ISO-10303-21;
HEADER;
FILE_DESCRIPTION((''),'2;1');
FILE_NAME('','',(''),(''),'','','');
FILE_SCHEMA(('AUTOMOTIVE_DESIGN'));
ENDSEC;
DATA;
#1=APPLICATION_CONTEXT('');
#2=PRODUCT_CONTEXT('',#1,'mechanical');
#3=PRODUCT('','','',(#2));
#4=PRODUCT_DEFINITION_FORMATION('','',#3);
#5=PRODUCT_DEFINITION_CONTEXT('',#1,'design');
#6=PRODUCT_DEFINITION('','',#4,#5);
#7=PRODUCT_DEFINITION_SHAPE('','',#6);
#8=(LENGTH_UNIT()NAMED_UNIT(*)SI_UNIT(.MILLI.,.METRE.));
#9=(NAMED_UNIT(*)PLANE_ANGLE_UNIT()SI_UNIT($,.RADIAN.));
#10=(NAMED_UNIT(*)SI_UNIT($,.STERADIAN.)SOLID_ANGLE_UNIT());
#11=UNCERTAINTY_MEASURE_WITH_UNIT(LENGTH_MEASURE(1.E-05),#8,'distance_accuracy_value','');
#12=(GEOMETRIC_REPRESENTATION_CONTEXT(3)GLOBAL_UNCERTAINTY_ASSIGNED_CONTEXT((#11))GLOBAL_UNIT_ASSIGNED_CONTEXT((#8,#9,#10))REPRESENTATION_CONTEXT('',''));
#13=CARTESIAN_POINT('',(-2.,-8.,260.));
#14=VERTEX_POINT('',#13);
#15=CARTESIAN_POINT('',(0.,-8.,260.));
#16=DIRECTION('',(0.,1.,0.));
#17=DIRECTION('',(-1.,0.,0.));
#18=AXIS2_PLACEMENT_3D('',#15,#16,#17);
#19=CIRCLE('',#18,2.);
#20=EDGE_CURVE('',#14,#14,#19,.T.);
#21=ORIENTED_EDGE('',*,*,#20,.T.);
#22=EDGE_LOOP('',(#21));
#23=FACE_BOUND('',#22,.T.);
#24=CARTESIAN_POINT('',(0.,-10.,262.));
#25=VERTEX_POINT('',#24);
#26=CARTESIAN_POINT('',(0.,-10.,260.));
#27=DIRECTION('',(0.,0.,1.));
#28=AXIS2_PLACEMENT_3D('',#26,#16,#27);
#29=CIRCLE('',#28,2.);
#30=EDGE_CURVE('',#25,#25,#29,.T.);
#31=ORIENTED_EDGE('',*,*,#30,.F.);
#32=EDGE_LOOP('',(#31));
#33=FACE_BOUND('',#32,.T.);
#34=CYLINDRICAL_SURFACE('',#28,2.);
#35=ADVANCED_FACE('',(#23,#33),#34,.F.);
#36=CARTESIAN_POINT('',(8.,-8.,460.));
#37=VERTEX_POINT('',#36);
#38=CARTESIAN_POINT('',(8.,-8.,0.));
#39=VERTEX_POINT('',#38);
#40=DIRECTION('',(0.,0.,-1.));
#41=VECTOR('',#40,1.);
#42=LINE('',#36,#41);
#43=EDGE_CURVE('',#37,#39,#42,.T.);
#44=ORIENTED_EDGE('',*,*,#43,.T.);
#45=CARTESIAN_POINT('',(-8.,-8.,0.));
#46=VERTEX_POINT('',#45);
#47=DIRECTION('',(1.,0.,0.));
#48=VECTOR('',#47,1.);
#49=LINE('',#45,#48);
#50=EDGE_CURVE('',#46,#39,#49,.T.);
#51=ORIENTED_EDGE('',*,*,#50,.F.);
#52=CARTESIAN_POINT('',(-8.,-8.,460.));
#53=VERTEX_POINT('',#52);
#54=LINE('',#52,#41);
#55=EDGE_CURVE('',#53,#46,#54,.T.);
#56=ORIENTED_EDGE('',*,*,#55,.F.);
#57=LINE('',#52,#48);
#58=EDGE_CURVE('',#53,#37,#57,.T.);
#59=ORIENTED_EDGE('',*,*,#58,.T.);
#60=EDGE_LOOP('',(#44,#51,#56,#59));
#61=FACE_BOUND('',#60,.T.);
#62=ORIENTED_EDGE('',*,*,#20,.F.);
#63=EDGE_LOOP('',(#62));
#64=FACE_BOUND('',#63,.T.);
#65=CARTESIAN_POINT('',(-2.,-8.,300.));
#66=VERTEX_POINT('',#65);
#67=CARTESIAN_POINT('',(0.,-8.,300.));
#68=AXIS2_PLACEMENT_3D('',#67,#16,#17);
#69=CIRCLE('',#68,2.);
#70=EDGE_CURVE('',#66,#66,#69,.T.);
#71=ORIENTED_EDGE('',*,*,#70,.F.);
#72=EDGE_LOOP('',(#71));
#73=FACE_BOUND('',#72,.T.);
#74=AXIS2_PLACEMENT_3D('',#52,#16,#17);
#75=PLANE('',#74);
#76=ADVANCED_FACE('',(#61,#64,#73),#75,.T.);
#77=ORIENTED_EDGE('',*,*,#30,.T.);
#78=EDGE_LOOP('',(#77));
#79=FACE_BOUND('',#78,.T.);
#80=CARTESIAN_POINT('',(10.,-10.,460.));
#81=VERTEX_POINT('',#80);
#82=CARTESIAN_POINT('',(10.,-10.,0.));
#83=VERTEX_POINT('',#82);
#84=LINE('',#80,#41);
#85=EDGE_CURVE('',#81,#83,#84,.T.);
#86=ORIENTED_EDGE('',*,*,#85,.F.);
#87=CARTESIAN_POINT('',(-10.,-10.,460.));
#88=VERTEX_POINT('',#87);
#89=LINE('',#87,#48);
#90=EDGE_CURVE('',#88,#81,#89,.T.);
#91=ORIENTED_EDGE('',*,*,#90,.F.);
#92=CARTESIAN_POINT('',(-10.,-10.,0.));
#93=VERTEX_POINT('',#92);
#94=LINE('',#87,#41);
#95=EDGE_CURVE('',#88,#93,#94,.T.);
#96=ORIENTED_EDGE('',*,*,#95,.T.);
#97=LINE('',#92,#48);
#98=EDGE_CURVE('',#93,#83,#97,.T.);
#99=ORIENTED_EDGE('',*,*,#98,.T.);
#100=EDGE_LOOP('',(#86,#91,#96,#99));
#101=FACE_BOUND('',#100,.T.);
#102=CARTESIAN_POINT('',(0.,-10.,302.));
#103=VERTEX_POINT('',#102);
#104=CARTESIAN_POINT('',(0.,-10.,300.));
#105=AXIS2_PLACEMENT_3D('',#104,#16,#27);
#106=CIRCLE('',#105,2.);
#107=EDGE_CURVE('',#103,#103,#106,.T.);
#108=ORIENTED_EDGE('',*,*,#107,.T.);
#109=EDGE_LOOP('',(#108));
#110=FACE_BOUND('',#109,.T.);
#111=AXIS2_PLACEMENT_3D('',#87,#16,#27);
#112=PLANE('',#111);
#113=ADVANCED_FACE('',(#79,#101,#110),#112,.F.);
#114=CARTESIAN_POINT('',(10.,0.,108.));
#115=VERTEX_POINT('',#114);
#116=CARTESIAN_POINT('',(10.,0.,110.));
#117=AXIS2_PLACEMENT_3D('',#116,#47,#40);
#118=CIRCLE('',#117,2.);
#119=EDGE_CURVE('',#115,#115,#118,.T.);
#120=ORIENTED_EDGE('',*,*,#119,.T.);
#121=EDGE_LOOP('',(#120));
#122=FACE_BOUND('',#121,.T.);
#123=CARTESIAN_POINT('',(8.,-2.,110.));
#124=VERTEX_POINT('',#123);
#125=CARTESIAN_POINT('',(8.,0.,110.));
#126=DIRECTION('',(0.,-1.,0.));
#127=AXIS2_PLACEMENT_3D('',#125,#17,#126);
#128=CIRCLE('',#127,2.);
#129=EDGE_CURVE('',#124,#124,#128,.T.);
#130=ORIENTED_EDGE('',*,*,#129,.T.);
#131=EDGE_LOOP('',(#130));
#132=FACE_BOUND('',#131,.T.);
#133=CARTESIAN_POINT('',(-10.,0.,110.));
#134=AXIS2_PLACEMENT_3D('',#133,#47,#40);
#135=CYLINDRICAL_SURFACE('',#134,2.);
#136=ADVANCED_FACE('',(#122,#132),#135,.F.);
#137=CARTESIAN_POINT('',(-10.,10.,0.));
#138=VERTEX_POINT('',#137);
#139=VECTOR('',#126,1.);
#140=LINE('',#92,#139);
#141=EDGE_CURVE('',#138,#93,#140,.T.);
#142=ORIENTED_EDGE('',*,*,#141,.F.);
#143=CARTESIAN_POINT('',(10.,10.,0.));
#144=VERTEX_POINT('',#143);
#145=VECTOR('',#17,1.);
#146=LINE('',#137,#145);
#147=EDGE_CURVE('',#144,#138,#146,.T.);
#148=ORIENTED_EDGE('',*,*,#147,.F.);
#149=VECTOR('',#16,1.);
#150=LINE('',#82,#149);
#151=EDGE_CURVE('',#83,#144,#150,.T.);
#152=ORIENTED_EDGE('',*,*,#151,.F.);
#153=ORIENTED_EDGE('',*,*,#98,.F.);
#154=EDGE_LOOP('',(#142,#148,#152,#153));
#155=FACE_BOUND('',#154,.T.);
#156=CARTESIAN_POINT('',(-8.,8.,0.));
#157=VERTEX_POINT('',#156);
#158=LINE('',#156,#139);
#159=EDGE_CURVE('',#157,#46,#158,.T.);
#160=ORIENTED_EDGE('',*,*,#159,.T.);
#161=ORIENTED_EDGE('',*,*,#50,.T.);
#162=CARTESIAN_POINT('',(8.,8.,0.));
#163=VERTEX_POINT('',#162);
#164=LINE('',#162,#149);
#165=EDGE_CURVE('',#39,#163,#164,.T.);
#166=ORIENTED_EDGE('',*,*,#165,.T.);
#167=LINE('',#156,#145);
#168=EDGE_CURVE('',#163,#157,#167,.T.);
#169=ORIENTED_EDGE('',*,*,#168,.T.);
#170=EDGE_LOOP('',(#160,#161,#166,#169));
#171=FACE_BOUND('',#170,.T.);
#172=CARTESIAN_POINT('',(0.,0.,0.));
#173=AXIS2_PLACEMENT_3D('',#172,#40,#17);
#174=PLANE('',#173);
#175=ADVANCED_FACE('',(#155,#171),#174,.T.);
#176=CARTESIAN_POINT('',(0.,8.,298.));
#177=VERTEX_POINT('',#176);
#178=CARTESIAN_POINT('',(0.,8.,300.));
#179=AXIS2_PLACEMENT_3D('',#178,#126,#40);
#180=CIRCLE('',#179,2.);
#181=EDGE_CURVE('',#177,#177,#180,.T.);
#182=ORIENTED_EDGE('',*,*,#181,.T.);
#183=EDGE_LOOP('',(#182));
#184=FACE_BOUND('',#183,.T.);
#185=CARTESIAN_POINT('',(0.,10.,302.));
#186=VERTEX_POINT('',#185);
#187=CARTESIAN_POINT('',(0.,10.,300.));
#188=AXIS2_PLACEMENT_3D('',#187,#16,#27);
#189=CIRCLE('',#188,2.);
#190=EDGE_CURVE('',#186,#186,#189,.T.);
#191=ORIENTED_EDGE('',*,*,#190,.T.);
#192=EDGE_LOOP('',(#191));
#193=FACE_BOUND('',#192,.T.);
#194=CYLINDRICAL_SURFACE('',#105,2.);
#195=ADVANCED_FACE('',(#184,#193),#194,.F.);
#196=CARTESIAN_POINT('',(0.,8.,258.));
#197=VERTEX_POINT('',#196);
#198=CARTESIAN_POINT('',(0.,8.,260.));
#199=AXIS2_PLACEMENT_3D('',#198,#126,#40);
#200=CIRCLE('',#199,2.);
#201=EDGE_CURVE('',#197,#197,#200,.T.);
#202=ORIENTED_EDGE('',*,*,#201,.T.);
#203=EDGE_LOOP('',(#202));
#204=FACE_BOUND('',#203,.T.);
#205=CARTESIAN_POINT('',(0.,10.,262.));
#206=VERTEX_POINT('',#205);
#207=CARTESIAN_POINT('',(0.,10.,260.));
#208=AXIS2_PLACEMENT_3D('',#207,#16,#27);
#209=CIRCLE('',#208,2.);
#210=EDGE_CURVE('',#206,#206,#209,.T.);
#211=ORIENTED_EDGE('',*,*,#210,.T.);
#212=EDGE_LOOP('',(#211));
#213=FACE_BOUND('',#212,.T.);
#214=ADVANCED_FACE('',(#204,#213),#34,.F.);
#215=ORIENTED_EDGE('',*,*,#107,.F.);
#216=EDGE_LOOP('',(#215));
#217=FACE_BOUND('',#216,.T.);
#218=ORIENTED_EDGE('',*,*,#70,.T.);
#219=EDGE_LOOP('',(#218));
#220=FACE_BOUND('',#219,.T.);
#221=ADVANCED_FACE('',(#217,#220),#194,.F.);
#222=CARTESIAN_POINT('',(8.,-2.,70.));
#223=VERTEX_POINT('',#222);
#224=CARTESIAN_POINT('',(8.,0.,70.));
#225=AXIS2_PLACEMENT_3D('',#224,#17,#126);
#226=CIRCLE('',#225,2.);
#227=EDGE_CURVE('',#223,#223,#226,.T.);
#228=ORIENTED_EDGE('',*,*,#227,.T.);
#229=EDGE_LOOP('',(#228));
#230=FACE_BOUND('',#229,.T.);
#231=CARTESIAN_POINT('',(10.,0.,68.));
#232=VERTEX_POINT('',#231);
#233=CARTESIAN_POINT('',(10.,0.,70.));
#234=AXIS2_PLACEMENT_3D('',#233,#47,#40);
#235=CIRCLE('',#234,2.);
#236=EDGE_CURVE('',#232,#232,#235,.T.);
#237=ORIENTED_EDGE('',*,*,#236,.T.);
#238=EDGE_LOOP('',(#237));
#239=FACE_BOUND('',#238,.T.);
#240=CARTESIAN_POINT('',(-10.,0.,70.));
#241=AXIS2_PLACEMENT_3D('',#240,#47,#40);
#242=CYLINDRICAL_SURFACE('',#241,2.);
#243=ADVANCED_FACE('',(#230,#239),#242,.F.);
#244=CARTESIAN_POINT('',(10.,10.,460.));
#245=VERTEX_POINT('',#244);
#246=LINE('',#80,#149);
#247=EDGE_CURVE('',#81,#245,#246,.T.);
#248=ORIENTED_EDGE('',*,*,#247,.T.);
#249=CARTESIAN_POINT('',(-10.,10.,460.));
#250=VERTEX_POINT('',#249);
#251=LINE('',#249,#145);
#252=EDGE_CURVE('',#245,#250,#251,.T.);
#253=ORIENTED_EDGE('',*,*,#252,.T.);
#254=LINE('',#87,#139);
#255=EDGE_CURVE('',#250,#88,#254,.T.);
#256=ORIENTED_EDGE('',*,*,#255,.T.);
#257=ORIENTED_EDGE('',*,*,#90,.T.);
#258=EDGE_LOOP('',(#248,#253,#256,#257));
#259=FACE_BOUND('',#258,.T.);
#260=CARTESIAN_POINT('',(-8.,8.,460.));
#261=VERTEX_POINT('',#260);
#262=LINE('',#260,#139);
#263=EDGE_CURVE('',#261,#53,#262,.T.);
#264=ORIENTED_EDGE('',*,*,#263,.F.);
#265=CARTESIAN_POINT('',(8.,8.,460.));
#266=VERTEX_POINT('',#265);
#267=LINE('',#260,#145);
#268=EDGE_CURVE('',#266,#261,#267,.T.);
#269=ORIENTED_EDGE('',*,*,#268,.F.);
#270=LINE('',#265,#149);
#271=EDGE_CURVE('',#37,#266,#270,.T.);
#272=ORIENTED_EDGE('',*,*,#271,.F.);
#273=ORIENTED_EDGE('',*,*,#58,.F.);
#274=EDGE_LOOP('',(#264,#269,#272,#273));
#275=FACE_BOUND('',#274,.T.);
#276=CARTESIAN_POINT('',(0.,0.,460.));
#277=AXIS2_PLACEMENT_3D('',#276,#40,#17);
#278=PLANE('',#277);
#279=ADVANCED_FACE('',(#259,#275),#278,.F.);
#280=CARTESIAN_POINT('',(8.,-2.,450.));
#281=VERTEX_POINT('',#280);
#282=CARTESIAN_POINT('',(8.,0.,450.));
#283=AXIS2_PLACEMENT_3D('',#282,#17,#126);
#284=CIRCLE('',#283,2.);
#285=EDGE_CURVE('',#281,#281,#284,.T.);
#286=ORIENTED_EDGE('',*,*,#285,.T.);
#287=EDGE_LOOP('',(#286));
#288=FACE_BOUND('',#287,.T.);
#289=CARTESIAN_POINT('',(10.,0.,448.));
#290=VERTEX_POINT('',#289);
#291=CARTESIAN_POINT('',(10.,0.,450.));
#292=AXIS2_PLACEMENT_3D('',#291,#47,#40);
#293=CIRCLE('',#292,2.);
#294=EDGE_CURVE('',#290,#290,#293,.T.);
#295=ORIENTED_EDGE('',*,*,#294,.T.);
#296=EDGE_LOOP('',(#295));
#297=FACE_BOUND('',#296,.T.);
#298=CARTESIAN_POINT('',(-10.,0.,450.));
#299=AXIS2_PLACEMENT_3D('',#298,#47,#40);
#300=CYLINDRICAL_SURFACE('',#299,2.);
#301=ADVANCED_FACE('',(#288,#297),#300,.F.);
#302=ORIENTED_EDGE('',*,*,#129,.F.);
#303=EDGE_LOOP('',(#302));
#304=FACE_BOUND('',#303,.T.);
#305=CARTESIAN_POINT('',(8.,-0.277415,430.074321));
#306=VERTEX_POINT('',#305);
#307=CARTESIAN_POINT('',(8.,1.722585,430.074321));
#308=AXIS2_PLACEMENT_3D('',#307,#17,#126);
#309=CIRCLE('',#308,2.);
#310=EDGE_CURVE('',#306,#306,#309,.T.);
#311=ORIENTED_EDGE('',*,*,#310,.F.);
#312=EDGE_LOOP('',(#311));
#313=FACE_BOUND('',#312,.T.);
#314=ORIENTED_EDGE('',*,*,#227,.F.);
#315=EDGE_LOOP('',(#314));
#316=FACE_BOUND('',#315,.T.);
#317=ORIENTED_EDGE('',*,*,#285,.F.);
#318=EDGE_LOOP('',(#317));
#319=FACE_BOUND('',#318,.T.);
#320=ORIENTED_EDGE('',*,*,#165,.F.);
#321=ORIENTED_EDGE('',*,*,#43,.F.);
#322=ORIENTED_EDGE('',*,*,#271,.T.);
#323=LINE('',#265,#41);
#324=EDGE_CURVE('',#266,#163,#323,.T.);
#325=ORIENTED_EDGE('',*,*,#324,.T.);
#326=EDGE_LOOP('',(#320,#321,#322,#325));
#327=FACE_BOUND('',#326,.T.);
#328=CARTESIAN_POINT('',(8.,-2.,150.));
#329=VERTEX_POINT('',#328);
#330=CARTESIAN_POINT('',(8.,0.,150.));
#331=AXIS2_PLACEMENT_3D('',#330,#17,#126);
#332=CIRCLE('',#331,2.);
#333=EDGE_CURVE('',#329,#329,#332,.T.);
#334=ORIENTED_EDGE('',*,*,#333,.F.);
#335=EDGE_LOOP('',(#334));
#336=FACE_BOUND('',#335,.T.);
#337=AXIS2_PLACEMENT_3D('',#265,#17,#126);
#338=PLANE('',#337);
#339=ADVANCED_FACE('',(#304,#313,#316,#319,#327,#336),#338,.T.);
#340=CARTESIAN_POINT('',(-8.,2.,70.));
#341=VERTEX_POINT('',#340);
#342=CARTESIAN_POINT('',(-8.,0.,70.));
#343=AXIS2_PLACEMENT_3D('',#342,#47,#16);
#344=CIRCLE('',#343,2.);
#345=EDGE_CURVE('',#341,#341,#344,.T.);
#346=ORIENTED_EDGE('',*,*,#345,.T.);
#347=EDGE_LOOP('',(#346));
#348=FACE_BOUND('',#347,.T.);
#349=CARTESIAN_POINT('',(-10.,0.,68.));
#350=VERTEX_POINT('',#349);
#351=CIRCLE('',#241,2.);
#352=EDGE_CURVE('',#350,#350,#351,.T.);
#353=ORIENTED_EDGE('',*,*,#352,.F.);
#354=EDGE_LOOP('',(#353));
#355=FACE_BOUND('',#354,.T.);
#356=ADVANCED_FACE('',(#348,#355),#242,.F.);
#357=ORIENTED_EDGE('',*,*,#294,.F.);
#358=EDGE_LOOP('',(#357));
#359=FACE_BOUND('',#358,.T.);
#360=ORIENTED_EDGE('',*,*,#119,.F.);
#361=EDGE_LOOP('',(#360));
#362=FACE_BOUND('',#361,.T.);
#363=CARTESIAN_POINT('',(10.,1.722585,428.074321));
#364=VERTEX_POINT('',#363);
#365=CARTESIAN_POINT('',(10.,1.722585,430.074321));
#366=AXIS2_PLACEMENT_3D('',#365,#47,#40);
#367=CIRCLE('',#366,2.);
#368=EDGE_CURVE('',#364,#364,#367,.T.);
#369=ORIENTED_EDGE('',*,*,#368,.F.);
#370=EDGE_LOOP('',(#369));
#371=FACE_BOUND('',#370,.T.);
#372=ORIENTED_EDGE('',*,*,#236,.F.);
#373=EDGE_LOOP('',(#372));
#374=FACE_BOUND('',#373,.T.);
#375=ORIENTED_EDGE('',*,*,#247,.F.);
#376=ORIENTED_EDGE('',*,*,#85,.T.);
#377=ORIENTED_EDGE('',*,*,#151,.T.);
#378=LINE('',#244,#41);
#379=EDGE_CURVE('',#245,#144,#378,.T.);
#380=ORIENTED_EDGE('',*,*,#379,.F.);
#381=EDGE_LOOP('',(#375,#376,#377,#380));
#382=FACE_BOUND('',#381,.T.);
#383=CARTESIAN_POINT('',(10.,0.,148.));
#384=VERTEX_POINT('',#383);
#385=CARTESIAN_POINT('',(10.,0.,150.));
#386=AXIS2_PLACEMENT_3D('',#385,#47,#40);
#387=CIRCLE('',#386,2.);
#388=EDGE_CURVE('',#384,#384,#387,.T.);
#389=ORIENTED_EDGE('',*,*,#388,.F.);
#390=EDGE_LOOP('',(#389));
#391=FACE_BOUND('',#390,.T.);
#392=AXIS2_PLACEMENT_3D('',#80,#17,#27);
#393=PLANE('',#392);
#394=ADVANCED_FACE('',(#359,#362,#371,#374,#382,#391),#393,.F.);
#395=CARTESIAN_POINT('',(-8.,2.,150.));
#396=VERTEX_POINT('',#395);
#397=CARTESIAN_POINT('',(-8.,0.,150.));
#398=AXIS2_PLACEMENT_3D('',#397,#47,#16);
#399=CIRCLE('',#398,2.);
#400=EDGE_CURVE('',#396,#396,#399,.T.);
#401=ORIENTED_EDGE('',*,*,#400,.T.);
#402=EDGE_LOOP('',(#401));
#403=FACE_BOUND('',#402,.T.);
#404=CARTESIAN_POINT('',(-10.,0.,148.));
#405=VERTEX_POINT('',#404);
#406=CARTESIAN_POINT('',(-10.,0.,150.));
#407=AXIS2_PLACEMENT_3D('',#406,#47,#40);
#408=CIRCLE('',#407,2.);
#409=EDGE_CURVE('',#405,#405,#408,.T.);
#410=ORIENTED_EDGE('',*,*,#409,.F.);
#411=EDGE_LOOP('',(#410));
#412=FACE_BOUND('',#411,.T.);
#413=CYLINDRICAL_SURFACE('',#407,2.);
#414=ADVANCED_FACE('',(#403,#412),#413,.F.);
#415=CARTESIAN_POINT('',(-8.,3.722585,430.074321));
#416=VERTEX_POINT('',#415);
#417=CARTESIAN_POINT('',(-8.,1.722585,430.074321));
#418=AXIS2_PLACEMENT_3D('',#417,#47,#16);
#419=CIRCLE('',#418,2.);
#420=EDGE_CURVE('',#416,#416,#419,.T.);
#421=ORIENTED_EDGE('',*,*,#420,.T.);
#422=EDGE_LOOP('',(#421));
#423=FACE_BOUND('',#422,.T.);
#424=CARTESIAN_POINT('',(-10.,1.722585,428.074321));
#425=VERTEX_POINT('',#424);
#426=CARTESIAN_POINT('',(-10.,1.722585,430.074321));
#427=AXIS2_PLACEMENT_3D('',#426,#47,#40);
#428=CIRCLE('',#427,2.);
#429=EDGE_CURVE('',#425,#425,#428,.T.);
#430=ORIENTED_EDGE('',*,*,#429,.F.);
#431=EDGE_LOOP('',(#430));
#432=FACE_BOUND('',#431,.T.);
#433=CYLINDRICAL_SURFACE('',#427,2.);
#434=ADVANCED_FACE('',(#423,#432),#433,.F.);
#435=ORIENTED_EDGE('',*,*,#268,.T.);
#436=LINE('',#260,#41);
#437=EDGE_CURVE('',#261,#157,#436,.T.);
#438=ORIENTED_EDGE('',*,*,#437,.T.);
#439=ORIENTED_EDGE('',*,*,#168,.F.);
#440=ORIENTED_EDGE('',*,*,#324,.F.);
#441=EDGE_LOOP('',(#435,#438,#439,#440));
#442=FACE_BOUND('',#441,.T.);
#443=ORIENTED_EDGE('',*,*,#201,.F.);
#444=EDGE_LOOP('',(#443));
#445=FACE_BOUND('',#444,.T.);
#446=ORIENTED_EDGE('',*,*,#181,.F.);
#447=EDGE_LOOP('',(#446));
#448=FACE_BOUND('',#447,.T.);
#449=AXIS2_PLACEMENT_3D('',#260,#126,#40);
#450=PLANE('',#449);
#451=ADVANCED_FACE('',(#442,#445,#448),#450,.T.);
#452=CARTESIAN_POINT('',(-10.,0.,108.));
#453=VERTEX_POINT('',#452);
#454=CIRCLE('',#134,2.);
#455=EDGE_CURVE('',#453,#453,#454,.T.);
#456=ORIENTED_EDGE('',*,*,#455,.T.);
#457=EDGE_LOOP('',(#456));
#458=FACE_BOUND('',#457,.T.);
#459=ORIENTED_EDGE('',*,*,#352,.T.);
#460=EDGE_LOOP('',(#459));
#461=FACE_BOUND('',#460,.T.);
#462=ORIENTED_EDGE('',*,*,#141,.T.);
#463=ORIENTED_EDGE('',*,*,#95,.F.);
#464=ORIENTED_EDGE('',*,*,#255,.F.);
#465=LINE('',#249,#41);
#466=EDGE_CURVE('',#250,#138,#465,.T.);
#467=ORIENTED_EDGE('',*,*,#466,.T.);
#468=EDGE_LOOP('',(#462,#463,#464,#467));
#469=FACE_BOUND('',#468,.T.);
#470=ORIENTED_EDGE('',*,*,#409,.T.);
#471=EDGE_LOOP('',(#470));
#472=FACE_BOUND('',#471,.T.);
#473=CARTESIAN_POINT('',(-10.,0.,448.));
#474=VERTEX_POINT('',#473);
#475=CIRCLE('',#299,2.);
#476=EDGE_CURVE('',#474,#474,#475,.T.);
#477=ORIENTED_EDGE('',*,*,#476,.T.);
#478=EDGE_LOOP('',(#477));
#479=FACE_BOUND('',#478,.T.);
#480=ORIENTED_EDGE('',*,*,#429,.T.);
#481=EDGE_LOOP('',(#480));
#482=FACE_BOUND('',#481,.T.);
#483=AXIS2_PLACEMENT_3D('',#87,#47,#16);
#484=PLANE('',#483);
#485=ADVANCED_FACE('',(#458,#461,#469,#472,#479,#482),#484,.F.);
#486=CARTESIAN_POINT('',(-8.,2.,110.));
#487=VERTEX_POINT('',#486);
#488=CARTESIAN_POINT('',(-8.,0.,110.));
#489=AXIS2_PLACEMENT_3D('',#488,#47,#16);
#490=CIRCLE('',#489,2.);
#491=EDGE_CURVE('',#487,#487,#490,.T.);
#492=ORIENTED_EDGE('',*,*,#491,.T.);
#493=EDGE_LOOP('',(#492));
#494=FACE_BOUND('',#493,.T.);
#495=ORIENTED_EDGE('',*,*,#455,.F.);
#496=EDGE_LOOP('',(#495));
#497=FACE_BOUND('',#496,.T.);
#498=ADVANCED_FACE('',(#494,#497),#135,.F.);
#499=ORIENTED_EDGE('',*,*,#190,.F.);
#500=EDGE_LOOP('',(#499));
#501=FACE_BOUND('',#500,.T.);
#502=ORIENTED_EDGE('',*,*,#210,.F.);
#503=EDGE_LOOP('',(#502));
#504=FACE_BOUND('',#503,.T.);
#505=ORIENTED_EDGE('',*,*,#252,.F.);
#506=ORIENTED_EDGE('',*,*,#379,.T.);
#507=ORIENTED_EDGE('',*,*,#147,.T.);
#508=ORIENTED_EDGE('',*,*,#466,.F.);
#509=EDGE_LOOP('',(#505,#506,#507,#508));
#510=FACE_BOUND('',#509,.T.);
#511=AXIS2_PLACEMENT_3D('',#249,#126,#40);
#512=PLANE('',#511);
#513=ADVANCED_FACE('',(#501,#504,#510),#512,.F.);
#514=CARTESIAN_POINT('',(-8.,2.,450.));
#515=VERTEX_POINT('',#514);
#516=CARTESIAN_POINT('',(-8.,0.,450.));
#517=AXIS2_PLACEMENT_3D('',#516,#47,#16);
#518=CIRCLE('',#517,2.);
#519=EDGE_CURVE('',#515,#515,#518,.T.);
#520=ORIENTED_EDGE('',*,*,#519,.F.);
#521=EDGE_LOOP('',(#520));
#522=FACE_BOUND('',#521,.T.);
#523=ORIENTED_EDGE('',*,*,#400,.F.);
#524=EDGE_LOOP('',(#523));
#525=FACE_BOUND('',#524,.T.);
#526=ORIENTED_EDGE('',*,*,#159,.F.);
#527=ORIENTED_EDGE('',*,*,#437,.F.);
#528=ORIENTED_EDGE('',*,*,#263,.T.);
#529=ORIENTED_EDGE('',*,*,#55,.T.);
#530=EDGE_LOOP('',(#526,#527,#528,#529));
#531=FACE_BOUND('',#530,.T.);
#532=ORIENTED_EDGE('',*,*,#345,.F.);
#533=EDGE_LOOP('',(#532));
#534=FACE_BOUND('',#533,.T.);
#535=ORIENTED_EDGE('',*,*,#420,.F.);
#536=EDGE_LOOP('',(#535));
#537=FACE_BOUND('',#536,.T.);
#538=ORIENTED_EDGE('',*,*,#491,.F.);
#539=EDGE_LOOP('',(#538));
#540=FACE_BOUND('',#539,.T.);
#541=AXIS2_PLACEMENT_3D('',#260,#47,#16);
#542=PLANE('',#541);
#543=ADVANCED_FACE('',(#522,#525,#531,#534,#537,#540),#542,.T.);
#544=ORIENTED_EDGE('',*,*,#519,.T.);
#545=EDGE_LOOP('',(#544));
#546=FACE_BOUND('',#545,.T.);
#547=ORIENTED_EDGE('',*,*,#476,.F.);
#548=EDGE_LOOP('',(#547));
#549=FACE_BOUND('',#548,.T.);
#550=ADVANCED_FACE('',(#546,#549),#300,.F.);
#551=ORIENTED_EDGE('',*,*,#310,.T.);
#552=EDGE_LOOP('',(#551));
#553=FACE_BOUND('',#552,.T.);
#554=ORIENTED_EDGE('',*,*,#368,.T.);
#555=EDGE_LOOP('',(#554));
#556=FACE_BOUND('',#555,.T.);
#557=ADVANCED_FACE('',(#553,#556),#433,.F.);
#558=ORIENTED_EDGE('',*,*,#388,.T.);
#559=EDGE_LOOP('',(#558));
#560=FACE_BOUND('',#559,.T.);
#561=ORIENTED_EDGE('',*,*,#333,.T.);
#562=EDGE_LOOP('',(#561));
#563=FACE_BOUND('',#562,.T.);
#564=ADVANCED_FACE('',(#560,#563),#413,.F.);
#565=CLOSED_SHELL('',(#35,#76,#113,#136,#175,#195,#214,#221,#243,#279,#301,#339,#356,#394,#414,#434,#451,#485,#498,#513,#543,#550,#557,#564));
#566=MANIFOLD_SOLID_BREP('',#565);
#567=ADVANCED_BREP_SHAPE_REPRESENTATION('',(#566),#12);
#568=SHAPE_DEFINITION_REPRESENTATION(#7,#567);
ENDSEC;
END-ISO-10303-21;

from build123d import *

# Parameters (mm, degrees)
SKETCH_1_W          = 20
SKETCH_1_H          = 20
SKETCH_1_W_2        = 16
SKETCH_1_H_2        = 16
EXTRUDE_1_DEPTH     = 460
SKETCH_2_R          = 2
CUT_EXTRUDE_1_DEPTH = 461.543157587
SKETCH_3_R          = 2
CUT_EXTRUDE_2_DEPTH = 461.543157587


with BuildPart() as part:
    # 草图1 → 凸台-拉伸1 (new body)
    with BuildSketch(Plane.XY):
        Rectangle(SKETCH_1_W, SKETCH_1_H)
        Rectangle(SKETCH_1_W_2, SKETCH_1_H_2, mode=Mode.SUBTRACT)
    extrude(amount=EXTRUDE_1_DEPTH)

    # 草图2 → 切除-拉伸1 (cut, through all)
    with BuildSketch(Plane(origin=(10, 0, 0), x_dir=(0, 0, -1), z_dir=(1, 0, 0))):
        with Locations((-450, 0)):
            Circle(SKETCH_2_R)
        with Locations((-70, 0)):
            Circle(SKETCH_2_R)
        with Locations((-110, 0)):
            Circle(SKETCH_2_R)
        with Locations((-150, 0)):
            Circle(SKETCH_2_R)
        with Locations((-37.153023279, -18.374821325)):
            Circle(SKETCH_2_R)
        with Locations((-17.227343837, -16.652236413)):
            Circle(SKETCH_2_R)
        with Locations((-430.074320558, 1.722584912)):
            Circle(SKETCH_2_R)
    extrude(amount=-CUT_EXTRUDE_1_DEPTH, mode=Mode.SUBTRACT)

    # 草图3 → 切除-拉伸2 (cut, through all)
    with BuildSketch(Plane(origin=(0, 10, 0), x_dir=(1, 0, 0), z_dir=(0, 1, 0))):
        with Locations(Location((0, -260, 0), (0, 0, 270))):
            Circle(SKETCH_3_R)
        with Locations(Location((0, -300, 0), (0, 0, 270))):
            Circle(SKETCH_3_R)
    extrude(amount=-CUT_EXTRUDE_2_DEPTH, mode=Mode.SUBTRACT)


solid = part.part
